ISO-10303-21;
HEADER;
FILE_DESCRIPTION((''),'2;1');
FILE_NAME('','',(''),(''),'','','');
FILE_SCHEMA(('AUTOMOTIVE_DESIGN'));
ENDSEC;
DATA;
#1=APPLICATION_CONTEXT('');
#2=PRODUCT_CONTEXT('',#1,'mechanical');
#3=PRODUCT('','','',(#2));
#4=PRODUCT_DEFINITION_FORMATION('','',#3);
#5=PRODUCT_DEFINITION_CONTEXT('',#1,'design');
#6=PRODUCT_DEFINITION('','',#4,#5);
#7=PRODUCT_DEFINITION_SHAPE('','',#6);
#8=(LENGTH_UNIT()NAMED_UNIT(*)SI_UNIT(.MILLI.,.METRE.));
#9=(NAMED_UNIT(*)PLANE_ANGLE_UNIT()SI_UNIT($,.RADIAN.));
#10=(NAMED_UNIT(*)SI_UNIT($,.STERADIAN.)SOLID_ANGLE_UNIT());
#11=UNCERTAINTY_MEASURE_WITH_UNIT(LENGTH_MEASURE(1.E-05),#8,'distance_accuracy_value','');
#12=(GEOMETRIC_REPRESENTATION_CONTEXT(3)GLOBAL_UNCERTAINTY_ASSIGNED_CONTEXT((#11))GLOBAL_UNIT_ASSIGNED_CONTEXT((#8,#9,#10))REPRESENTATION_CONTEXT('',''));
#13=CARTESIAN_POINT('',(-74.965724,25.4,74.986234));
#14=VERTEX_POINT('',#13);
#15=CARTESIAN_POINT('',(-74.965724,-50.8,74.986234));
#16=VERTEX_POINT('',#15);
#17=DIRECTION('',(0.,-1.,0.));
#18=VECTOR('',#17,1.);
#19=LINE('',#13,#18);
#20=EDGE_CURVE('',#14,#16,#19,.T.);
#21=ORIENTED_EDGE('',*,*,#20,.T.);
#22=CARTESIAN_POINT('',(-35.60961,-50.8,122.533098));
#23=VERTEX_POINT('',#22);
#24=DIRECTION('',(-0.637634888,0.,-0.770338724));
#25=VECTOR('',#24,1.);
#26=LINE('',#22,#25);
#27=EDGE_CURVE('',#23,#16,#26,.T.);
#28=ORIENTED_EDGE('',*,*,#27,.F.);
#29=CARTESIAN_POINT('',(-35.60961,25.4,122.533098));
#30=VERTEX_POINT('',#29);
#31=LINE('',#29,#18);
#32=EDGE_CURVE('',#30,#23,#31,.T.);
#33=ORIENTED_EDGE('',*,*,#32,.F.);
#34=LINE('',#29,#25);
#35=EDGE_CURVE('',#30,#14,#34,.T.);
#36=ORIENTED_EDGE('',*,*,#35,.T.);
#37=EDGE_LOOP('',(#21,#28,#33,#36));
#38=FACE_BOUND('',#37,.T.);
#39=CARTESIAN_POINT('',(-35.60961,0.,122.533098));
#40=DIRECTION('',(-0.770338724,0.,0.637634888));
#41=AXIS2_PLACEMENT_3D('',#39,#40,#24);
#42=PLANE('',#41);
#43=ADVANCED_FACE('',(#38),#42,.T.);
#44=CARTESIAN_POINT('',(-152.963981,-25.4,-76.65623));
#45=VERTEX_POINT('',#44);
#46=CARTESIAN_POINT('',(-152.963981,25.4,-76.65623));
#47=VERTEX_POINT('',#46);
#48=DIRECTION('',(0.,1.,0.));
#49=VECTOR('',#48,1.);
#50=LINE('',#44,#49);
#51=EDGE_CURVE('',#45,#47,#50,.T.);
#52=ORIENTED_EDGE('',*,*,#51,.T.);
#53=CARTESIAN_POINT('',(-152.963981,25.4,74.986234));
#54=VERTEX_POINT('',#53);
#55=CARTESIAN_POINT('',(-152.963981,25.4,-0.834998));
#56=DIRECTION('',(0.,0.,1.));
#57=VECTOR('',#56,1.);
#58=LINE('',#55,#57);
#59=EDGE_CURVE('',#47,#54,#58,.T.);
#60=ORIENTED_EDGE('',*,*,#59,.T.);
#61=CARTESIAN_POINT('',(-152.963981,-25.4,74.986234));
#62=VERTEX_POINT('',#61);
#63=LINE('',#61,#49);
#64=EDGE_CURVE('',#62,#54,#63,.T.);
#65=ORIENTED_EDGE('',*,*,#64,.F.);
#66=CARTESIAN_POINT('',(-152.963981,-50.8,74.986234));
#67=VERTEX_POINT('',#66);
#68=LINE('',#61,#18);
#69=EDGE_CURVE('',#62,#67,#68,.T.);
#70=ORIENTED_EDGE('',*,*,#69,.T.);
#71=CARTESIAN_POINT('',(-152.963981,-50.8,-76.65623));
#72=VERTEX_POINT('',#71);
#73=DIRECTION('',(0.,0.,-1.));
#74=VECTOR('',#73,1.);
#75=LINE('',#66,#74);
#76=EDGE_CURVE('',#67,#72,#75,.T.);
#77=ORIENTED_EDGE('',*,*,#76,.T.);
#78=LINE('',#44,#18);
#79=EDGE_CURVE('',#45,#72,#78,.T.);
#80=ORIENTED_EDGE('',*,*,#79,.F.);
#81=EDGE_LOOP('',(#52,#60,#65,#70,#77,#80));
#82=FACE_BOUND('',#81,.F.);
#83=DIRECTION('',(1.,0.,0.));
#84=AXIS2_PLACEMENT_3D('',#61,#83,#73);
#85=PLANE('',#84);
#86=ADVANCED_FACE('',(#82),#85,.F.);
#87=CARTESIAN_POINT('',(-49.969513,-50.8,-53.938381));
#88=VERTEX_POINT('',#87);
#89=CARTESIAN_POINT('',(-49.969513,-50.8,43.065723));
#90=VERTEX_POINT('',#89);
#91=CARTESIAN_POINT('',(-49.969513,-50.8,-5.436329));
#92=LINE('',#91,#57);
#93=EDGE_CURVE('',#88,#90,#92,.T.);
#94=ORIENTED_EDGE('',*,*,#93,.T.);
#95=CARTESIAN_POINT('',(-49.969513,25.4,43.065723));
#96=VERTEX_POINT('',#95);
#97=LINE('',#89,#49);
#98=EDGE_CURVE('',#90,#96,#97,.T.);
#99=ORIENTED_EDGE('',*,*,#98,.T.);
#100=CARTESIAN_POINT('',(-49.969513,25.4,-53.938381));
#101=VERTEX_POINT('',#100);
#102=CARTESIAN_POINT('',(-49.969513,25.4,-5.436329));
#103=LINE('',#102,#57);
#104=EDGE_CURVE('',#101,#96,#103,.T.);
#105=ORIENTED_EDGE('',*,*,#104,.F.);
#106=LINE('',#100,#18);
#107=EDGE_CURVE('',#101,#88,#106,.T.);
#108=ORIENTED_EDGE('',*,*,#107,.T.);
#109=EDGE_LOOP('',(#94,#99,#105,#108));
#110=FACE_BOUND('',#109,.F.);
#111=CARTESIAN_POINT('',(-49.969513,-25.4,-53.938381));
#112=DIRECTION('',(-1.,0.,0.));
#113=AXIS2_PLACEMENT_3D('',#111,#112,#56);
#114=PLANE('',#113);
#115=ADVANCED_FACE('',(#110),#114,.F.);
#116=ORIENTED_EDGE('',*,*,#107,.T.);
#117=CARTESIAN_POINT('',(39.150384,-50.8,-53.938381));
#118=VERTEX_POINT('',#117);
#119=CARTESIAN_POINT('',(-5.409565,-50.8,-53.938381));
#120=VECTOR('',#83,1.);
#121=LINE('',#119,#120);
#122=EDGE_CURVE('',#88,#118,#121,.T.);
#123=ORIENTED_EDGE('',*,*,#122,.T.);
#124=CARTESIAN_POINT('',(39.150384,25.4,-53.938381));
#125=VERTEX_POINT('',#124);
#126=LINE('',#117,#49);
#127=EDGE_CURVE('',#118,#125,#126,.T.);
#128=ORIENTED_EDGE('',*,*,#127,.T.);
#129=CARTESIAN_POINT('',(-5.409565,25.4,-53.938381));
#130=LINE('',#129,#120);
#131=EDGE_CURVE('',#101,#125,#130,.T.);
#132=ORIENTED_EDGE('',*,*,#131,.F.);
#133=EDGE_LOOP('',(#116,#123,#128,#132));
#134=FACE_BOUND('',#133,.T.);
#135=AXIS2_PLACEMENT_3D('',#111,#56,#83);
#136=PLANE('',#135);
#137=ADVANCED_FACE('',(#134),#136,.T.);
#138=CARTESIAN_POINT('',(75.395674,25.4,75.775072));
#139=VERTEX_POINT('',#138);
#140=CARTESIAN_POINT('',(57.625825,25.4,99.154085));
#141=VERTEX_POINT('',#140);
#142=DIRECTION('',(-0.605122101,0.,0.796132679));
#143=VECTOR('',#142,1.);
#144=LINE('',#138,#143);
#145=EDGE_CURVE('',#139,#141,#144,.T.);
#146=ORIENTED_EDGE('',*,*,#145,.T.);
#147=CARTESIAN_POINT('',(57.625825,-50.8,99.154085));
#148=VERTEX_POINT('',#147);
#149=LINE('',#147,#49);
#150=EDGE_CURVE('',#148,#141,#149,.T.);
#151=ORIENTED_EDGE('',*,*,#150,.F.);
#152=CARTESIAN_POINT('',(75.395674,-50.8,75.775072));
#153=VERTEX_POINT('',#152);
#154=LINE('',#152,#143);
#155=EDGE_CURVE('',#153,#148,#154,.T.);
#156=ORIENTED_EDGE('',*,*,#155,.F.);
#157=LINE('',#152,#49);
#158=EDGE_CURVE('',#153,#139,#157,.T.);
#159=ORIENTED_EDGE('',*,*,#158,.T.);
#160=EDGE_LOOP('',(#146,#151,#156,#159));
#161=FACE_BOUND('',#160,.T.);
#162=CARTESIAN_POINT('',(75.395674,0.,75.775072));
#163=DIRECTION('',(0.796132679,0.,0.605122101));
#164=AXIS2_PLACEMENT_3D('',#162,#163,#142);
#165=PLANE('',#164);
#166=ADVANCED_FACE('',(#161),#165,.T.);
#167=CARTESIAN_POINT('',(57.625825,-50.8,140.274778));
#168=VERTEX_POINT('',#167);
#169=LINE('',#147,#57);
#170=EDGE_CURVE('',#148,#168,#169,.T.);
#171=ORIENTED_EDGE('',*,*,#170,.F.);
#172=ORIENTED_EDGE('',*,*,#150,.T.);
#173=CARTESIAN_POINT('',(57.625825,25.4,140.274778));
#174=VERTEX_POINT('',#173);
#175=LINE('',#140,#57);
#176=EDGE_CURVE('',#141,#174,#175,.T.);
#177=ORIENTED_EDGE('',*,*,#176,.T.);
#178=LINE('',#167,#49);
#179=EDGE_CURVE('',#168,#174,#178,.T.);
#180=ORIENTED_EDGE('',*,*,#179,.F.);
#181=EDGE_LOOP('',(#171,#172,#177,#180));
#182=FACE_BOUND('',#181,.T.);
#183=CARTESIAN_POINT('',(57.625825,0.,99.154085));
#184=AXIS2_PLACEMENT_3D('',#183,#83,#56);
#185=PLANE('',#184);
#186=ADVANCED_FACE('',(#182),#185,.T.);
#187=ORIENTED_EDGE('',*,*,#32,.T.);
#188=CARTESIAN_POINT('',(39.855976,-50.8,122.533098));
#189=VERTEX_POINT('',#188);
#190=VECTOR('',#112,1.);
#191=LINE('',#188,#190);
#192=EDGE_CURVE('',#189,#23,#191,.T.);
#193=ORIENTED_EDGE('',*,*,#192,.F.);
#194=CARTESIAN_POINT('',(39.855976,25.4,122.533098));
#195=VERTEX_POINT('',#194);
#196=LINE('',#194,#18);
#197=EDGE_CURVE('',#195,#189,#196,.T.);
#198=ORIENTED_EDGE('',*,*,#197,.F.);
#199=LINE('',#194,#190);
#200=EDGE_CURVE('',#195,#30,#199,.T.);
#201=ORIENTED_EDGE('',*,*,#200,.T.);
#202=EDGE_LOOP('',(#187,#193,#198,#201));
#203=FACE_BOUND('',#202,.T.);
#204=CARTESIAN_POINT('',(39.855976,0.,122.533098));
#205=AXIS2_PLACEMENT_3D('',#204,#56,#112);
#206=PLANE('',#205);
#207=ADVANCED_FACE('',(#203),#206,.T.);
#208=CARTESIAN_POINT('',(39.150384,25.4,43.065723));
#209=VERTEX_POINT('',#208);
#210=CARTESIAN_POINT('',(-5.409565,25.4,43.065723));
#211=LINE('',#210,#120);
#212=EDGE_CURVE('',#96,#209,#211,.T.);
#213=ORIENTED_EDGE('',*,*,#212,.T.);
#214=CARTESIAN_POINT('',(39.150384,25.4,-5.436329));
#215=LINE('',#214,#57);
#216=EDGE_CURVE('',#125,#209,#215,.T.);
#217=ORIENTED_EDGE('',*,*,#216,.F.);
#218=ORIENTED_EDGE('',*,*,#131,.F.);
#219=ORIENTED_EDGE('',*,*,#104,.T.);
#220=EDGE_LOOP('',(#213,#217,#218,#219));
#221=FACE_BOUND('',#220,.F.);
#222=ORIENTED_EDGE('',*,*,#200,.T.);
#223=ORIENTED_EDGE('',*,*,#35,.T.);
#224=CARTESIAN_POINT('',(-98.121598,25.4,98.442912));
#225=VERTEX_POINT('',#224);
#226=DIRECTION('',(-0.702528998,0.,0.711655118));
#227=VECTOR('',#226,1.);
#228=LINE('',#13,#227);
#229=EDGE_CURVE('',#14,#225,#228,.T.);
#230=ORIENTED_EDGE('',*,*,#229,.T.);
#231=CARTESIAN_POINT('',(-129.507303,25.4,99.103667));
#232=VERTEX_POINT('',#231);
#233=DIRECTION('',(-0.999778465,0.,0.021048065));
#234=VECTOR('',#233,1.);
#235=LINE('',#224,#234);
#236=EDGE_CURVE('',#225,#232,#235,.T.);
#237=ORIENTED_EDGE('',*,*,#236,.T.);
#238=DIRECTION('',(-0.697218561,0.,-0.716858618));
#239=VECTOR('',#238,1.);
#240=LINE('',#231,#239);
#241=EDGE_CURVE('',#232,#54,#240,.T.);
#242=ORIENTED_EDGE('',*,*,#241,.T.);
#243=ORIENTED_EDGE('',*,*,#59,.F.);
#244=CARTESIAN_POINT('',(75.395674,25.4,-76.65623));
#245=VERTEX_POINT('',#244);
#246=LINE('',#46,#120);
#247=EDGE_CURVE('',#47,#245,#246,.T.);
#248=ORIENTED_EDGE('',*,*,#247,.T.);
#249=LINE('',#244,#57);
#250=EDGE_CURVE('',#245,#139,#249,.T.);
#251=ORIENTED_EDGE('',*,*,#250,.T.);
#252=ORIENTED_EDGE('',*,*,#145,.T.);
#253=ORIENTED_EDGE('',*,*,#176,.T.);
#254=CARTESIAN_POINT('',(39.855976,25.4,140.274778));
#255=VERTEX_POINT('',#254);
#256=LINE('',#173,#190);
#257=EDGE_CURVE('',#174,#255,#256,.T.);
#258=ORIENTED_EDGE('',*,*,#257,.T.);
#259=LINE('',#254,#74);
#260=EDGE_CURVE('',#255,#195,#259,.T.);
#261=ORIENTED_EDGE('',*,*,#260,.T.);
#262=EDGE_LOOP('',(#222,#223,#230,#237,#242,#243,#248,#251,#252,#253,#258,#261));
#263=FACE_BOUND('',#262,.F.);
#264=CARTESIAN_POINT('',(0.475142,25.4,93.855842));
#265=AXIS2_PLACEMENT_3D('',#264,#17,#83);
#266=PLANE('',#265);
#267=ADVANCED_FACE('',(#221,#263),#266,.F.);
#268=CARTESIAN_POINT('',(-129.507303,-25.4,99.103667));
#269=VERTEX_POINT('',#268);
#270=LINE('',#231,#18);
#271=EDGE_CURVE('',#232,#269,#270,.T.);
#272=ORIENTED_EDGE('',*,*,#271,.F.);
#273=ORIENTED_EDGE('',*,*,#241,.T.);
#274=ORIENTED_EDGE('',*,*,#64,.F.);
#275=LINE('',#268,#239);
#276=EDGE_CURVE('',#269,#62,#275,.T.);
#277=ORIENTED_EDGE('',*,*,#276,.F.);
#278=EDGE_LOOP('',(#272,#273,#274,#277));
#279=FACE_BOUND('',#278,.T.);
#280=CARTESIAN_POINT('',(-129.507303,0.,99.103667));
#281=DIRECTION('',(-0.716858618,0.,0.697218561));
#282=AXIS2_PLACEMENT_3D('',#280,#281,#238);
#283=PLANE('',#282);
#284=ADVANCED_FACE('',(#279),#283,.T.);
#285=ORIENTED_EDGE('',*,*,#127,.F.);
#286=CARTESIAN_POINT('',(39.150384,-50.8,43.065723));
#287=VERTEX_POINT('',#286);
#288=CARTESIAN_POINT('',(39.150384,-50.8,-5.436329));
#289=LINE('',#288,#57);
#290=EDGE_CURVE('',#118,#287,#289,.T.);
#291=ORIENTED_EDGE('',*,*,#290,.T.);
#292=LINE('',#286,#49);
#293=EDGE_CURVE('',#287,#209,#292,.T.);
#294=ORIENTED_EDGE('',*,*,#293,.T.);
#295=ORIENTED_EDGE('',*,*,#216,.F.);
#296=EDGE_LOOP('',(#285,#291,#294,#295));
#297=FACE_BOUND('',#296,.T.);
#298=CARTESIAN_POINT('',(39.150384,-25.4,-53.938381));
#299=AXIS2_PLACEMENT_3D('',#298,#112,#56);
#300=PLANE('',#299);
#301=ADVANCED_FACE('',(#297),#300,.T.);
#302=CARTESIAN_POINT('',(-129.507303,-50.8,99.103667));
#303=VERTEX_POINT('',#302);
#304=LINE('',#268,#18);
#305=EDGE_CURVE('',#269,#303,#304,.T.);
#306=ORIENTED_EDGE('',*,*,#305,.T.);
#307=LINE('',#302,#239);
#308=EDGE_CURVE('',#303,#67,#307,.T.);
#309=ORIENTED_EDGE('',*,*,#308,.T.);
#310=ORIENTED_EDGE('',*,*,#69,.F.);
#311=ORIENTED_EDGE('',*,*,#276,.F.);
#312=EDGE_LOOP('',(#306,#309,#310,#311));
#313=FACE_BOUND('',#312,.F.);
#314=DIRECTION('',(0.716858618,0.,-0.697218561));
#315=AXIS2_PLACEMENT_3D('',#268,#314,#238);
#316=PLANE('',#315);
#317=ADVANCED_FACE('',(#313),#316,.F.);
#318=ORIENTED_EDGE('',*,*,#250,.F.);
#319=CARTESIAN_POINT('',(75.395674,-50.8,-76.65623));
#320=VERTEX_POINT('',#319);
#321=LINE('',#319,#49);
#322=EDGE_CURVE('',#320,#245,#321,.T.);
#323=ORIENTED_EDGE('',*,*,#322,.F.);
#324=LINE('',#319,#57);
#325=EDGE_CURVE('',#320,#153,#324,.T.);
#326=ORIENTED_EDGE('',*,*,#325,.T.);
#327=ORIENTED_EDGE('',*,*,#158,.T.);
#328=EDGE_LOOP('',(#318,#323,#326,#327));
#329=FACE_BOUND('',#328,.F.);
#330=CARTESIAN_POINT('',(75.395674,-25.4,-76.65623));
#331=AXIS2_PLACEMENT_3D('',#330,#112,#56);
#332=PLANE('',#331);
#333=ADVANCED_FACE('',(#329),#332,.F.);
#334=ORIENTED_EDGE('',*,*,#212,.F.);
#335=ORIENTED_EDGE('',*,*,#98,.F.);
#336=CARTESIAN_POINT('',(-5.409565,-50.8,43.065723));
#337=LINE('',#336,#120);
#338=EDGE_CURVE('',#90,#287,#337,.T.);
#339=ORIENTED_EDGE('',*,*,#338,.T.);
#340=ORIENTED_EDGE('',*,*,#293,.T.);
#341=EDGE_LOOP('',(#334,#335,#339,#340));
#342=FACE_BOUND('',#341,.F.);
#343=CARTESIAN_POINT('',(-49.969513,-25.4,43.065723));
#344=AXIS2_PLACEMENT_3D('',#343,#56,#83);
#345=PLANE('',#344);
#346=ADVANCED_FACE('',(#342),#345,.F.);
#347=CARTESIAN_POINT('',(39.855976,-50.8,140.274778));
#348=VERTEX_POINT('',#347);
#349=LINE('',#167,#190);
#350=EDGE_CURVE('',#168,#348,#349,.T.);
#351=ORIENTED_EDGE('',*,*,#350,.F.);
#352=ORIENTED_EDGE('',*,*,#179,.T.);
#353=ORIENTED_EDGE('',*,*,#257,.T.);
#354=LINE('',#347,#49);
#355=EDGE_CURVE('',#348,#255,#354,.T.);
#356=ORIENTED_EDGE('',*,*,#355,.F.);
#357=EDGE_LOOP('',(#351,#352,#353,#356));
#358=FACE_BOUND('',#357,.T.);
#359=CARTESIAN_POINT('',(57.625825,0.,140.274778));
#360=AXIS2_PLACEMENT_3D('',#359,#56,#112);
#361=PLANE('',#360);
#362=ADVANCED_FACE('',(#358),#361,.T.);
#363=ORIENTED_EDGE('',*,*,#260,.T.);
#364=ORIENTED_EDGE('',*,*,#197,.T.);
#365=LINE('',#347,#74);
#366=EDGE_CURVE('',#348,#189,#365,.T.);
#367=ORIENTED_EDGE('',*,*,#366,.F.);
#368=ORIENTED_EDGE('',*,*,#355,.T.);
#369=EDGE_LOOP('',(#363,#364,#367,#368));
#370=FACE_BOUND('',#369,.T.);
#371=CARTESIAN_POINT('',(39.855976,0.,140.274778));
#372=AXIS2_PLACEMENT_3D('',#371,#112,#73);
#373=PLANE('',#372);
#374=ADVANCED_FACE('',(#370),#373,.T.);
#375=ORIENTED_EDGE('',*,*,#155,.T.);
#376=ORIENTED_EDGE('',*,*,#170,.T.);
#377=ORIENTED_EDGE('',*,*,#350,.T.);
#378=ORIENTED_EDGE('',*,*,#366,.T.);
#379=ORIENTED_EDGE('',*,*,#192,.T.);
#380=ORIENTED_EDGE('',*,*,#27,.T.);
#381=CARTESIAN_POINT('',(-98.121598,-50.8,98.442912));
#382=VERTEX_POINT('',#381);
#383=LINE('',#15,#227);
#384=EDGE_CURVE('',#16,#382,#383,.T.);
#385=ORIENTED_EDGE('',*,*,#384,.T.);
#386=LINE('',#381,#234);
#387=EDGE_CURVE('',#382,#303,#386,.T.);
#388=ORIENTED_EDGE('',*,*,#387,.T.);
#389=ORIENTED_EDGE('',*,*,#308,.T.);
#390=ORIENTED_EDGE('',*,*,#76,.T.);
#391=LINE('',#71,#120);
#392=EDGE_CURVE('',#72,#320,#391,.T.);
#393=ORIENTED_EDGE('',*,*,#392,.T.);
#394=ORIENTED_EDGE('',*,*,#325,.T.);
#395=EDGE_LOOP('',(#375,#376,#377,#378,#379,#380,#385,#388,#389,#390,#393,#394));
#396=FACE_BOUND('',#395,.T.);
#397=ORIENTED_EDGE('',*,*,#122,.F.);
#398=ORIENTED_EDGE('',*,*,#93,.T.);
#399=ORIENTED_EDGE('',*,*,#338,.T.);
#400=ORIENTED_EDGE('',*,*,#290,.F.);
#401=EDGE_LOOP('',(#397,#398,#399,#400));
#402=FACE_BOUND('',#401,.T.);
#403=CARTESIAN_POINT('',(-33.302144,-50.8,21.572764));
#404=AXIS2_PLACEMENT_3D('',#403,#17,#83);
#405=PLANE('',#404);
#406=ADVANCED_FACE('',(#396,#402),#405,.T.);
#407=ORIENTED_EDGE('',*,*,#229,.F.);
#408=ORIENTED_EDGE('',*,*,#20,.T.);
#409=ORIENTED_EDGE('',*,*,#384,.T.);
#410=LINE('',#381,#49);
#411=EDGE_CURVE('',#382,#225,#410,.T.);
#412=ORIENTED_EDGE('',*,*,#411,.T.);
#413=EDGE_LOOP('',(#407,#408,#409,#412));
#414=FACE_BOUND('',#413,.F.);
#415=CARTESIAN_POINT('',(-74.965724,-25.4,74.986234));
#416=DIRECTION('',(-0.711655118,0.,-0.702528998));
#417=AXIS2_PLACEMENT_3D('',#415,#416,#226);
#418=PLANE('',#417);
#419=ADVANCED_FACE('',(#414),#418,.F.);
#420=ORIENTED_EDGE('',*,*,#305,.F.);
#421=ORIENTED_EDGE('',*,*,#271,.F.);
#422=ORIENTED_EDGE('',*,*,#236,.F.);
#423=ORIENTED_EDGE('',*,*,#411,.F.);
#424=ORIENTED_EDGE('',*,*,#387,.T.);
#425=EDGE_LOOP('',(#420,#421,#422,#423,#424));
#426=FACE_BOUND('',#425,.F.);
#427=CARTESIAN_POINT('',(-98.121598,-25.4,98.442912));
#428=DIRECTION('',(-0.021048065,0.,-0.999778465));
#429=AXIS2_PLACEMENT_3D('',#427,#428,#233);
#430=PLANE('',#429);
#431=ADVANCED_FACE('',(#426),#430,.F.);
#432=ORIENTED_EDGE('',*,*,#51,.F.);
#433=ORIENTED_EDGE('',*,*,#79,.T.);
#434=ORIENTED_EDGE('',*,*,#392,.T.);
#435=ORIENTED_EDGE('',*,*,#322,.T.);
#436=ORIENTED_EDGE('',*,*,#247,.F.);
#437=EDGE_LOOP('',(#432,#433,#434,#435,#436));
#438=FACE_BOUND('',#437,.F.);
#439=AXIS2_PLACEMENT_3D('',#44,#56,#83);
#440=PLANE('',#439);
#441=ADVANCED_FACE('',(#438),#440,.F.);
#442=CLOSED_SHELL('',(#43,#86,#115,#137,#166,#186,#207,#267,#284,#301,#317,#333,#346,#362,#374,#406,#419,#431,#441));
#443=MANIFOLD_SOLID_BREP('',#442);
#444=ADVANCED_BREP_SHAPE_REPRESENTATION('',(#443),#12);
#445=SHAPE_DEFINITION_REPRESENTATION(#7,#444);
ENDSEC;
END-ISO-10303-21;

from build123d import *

# Parameters (mm, degrees)
F0_W      = 89.1198969167
F0_H      = 97.0041044056
F0_W_2    = 77.9982568039
F0_H_2    = 151.6424641013
F1_DEPTH  = 25.4
F2_DEPTH  = 25.4
F3_DEPTH  = 25.4
F4_DEPTH  = 25.4
F1_FACE_W = 89.1198969167
F1_FACE_H = 97.0041044056
F3_FACE_W = 89.1198969167
F3_FACE_H = 97.0041044056
F5_DEPTH  = 25.4


with BuildPart() as f1:
    # F0 (on Front) → F1 (new body)
    with BuildSketch(Plane.XZ):
        Polygon((-35.6096097335, 122.5330978632), (-74.9657242284, 74.9862343073), (75.3956741586, 75.7750719786), (57.6258252308, 99.1540849209), (39.8559763029, 122.5330978632), align=None)
        Polygon((75.3956741586, 75.7750719786), (-74.9657242284, 74.9862343073), (-74.9657242284, -76.656229794), (75.3956741586, -76.656229794), align=None)
        with Locations((-5.4095645109, -5.4363291711)):
            Rectangle(F0_W, F0_H, mode=Mode.SUBTRACT)
        with Locations((-113.9648526304, -0.8349977434)):
            Rectangle(F0_W_2, F0_H_2)
        Polygon((-152.9639810324, 74.9862343073), (-74.9657242284, 74.9862343073), (-98.1215983629, 98.4429121017), (-129.5073032379, 99.103666842), align=None)
        Polygon((39.8559763029, 140.2747780085), (39.8559763029, 122.5330978632), (57.6258252308, 99.1540849209), (57.6258252308, 140.2747780085), align=None)
    extrude(amount=F1_DEPTH)

    # F0 (on Front) → F2 (join)
    with BuildSketch(Plane.XZ):
        Polygon((-35.6096097335, 122.5330978632), (-74.9657242284, 74.9862343073), (75.3956741586, 75.7750719786), (57.6258252308, 99.1540849209), (39.8559763029, 122.5330978632), align=None)
        Polygon((75.3956741586, 75.7750719786), (-74.9657242284, 74.9862343073), (-74.9657242284, -76.656229794), (75.3956741586, -76.656229794), align=None)
        with Locations((-5.4095645109, -5.4363291711)):
            Rectangle(F0_W, F0_H, mode=Mode.SUBTRACT)
        with Locations((-113.9648526304, -0.8349977434)):
            Rectangle(F0_W_2, F0_H_2)
        Polygon((-152.9639810324, 74.9862343073), (-74.9657242284, 74.9862343073), (-98.1215983629, 98.4429121017), (-129.5073032379, 99.103666842), align=None)
        Polygon((39.8559763029, 140.2747780085), (39.8559763029, 122.5330978632), (57.6258252308, 99.1540849209), (57.6258252308, 140.2747780085), align=None)
    extrude(amount=F2_DEPTH)

    # F0 (on Front) → F3 (join)
    with BuildSketch(Plane.XZ):
        Polygon((-35.6096097335, 122.5330978632), (-74.9657242284, 74.9862343073), (75.3956741586, 75.7750719786), (57.6258252308, 99.1540849209), (39.8559763029, 122.5330978632), align=None)
        Polygon((75.3956741586, 75.7750719786), (-74.9657242284, 74.9862343073), (-74.9657242284, -76.656229794), (75.3956741586, -76.656229794), align=None)
        with Locations((-5.4095645109, -5.4363291711)):
            Rectangle(F0_W, F0_H, mode=Mode.SUBTRACT)
        with Locations((-113.9648526304, -0.8349977434)):
            Rectangle(F0_W_2, F0_H_2)
        Polygon((-152.9639810324, 74.9862343073), (-74.9657242284, 74.9862343073), (-98.1215983629, 98.4429121017), (-129.5073032379, 99.103666842), align=None)
        Polygon((39.8559763029, 140.2747780085), (39.8559763029, 122.5330978632), (57.6258252308, 99.1540849209), (57.6258252308, 140.2747780085), align=None)
    extrude(amount=-F3_DEPTH)

    # F0 (on Front) → F4 (join)
    with BuildSketch(Plane.XZ):
        Polygon((-35.6096097335, 122.5330978632), (-74.9657242284, 74.9862343073), (75.3956741586, 75.7750719786), (57.6258252308, 99.1540849209), (39.8559763029, 122.5330978632), align=None)
        Polygon((75.3956741586, 75.7750719786), (-74.9657242284, 74.9862343073), (-74.9657242284, -76.656229794), (75.3956741586, -76.656229794), align=None)
        with Locations((-5.4095645109, -5.4363291711)):
            Rectangle(F0_W, F0_H, mode=Mode.SUBTRACT)
        with Locations((-113.9648526304, -0.8349977434)):
            Rectangle(F0_W_2, F0_H_2)
        Polygon((-152.9639810324, 74.9862343073), (-74.9657242284, 74.9862343073), (-98.1215983629, 98.4429121017), (-129.5073032379, 99.103666842), align=None)
        Polygon((39.8559763029, 140.2747780085), (39.8559763029, 122.5330978632), (57.6258252308, 99.1540849209), (57.6258252308, 140.2747780085), align=None)
    extrude(amount=-F4_DEPTH)

    # F0 (on Front) + F1_face (on face) + F3_face (on face) → F5 (join)
    with BuildSketch(Plane.XZ):
        Polygon((39.8559763029, 140.2747780085), (39.8559763029, 122.5330978632), (57.6258252308, 99.1540849209), (57.6258252308, 140.2747780085), align=None)
        Polygon((-152.9639810324, 74.9862343073), (-74.9657242284, 74.9862343073), (-98.1215983629, 98.4429121017), (-129.5073032379, 99.103666842), align=None)
        Polygon((-35.6096097335, 122.5330978632), (-74.9657242284, 74.9862343073), (75.3956741586, 75.7750719786), (57.6258252308, 99.1540849209), (39.8559763029, 122.5330978632), align=None)
        with Locations((-113.9648526304, -0.8349977434)):
            Rectangle(F0_W_2, F0_H_2)
        Polygon((75.3956741586, 75.7750719786), (-74.9657242284, 74.9862343073), (-74.9657242284, -76.656229794), (75.3956741586, -76.656229794), align=None)
        with Locations((-5.4095645109, -5.4363291711)):
            Rectangle(F0_W, F0_H, mode=Mode.SUBTRACT)
    with BuildSketch(Plane(origin=(-42.5421584691, -25.4, 21.4383649256), x_dir=(1, 0, 0), z_dir=(0, -1, 0))):
        Polygon((117.9378326277, 54.336707053), (100.1679836999, 77.7157199953), (100.1679836999, 118.8364130829), (82.398134772, 118.8364130829), (82.398134772, 101.0947329376), (6.9325487356, 101.0947329376), (-32.4235657593, 53.5478693817), (-55.5794398938, 77.0045471761), (-86.9651447688, 77.6653019164), (-110.4218225632, 53.5478693817), (-110.4218225632, -98.0945947196), (117.9378326277, -98.0945947196), align=None)
        with Locations((37.1325939582, -26.8746940967)):
            Rectangle(F1_FACE_W, F1_FACE_H, mode=Mode.SUBTRACT)
    with BuildSketch(Plane(origin=(-42.5421584691, 25.4, 21.4383649256), x_dir=(1, 0, 0), z_dir=(0, 1, 0))):
        Polygon((100.1679836999, -77.7157199953), (117.9378326277, -54.336707053), (117.9378326277, 98.0945947196), (-110.4218225632, 98.0945947196), (-110.4218225632, -53.5478693817), (-86.9651447688, -77.6653019164), (-55.5794398938, -77.0045471761), (-32.4235657593, -53.5478693817), (6.9325487356, -101.0947329376), (82.398134772, -101.0947329376), (82.398134772, -118.8364130829), (100.1679836999, -118.8364130829), align=None)
        with Locations((37.1325939582, 26.8746940967)):
            Rectangle(F3_FACE_W, F3_FACE_H, mode=Mode.SUBTRACT)
    extrude(amount=F5_DEPTH, dir=(0, -1, 0))


solid = f1.part
